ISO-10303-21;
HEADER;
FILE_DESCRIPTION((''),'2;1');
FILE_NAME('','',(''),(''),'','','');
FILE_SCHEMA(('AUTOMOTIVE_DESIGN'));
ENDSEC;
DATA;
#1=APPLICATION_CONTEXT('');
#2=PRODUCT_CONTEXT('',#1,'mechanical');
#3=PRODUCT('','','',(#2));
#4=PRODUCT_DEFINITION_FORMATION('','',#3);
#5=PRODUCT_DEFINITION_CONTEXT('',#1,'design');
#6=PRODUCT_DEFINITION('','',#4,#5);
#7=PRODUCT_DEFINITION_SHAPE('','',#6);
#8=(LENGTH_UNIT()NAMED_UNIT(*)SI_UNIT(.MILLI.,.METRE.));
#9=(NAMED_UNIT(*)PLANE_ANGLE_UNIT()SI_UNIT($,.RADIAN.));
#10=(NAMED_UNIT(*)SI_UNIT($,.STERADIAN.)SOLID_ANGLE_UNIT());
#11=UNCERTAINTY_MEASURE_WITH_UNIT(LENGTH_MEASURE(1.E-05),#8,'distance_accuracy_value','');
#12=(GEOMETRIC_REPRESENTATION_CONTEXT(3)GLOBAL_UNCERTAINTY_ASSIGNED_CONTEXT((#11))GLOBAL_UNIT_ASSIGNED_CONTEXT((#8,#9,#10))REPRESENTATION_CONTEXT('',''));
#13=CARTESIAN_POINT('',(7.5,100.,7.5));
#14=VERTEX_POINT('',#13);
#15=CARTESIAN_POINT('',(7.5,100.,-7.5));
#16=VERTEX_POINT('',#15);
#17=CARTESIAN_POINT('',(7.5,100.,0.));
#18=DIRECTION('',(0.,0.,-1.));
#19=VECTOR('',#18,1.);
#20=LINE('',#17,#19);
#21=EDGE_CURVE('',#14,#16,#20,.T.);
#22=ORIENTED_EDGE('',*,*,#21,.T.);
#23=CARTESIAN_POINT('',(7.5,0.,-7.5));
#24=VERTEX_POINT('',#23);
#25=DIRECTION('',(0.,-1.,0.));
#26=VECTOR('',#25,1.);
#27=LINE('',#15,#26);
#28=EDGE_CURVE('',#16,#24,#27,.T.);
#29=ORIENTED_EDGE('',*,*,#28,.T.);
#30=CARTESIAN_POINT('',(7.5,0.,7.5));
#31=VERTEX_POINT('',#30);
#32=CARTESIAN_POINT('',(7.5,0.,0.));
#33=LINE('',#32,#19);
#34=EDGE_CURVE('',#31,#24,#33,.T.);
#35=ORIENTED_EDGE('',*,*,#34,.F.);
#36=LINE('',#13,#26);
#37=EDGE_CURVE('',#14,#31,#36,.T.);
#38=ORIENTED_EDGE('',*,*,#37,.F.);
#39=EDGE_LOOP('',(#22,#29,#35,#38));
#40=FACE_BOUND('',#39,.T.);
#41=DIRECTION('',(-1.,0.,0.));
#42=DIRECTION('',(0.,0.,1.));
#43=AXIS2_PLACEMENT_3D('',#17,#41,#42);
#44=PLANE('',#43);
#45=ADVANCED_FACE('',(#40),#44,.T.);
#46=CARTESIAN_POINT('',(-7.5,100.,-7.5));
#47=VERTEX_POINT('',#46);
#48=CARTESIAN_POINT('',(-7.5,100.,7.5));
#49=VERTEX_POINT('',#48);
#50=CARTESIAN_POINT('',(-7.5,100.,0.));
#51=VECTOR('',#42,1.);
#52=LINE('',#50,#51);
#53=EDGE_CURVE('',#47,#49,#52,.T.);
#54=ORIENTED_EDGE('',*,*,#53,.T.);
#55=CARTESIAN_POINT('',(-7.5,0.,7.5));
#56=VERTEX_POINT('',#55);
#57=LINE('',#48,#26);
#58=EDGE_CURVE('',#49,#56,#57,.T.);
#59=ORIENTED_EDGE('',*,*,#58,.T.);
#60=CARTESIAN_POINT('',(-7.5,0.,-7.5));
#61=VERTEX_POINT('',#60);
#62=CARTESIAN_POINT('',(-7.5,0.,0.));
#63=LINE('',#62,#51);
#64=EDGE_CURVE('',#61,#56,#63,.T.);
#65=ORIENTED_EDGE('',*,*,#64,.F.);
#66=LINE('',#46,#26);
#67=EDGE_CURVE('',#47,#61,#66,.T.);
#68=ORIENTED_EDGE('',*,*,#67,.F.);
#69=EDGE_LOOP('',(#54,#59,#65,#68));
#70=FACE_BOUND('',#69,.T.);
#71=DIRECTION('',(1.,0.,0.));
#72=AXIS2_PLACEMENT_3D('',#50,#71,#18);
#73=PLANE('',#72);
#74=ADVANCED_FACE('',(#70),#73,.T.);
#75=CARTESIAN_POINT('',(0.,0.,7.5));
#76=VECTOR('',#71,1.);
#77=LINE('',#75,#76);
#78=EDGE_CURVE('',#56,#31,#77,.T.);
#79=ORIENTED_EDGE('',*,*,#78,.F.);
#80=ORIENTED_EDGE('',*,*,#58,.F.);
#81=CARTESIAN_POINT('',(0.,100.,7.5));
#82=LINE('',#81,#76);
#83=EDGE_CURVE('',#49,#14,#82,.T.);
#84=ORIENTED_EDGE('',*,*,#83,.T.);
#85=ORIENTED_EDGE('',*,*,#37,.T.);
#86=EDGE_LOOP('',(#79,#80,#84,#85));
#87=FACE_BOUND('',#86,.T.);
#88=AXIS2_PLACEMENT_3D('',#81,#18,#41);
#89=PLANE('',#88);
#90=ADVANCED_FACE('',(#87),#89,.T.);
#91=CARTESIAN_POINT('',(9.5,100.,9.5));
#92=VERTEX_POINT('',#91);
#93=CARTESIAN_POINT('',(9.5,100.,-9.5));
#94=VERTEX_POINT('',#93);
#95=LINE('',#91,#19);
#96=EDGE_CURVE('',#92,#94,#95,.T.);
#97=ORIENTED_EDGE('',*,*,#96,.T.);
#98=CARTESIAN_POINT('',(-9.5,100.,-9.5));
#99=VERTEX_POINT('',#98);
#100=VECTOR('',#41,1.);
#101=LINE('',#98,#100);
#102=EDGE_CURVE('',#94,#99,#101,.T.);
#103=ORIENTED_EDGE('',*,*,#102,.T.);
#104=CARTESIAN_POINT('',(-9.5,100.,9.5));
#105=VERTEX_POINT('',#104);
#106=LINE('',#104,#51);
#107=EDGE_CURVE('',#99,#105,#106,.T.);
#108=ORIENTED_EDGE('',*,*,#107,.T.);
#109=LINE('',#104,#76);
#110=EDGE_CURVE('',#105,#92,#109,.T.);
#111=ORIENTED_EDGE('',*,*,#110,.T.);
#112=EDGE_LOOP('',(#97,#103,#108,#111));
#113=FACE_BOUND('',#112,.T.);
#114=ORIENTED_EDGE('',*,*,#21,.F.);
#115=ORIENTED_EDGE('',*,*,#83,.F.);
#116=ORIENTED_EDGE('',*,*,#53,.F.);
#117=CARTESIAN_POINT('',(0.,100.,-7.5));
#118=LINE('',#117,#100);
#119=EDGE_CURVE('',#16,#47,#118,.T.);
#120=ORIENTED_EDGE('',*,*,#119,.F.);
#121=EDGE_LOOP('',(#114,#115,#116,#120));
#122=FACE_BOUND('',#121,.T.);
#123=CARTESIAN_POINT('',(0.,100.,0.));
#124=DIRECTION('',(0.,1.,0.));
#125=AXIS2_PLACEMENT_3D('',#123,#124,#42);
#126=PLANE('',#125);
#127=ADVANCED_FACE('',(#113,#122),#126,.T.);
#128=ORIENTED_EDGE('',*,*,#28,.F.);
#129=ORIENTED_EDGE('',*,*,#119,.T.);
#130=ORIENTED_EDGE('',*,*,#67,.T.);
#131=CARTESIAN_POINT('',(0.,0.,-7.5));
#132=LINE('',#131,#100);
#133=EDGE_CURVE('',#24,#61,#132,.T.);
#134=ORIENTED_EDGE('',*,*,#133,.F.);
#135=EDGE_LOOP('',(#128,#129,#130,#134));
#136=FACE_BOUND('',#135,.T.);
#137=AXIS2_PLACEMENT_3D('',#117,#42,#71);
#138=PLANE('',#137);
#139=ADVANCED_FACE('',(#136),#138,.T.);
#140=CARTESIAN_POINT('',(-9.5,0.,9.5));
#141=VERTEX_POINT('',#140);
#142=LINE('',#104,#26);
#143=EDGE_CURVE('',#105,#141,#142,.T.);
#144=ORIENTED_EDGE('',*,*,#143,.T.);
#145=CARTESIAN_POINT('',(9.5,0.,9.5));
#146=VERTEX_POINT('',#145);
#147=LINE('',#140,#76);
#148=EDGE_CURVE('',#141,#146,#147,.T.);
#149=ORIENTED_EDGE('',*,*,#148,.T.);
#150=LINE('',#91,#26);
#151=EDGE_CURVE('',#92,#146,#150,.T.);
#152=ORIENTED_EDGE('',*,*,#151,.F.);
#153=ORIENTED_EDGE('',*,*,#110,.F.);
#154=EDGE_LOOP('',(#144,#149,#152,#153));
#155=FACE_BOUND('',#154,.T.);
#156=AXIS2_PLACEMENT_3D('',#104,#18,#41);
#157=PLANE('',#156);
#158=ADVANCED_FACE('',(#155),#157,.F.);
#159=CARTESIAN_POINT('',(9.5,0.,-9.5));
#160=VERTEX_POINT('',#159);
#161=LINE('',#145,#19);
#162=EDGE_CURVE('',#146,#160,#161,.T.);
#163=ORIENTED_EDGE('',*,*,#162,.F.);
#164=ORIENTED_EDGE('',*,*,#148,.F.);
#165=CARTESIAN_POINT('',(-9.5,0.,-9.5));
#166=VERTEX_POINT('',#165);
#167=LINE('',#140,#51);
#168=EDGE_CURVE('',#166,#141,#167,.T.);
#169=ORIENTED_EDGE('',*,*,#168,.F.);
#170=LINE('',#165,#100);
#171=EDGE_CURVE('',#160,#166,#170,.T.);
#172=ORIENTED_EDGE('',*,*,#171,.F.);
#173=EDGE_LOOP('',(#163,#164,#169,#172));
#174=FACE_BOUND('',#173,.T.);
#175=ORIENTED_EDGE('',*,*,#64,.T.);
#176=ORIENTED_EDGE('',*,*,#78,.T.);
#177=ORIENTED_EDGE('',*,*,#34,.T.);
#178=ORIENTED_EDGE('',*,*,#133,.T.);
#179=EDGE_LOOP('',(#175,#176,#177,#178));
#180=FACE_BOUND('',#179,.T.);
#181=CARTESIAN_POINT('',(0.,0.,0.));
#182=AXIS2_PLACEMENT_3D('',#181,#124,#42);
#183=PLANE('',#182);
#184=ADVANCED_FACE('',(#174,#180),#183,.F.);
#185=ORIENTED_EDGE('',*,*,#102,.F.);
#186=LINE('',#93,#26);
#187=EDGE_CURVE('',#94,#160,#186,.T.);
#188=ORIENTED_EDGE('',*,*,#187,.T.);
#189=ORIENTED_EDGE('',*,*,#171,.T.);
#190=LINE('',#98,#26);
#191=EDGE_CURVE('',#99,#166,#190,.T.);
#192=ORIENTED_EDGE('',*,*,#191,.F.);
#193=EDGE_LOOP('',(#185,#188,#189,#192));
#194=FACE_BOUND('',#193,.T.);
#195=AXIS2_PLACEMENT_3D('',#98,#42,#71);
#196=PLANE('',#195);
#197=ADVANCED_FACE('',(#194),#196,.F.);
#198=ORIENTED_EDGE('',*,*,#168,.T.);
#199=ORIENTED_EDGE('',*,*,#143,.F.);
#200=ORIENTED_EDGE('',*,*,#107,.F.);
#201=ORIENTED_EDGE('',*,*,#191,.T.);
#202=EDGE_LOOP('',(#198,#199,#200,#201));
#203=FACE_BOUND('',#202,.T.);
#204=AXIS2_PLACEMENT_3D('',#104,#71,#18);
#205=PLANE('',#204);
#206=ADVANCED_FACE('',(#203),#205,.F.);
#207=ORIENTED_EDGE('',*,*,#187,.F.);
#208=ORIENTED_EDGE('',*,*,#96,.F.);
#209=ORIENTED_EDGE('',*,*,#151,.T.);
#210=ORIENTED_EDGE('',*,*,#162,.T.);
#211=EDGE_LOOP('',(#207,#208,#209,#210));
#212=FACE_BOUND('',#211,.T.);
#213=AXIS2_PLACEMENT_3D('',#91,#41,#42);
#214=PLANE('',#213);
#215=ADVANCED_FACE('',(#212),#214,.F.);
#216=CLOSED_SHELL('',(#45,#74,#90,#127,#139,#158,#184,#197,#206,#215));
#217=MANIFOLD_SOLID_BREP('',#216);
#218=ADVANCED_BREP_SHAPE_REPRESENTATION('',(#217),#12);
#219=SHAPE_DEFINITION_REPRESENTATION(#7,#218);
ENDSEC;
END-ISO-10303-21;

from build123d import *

# Parameters (mm, degrees)
SKETCH1_W           = 19
SKETCH1_H           = 19
SKETCH1_W_2         = 15
SKETCH1_H_2         = 15
EXTRUDE_THIN1_DEPTH = 100


with BuildPart() as part:
    # Sketch1 → Extrude-Thin1 (new body)
    with BuildSketch(Plane(origin=(0, 0, 0), x_dir=(1, 0, 0), z_dir=(0, 1, 0))):
        Rectangle(SKETCH1_W, SKETCH1_H)
        Rectangle(SKETCH1_W_2, SKETCH1_H_2, mode=Mode.SUBTRACT)
    extrude(amount=EXTRUDE_THIN1_DEPTH)


solid = part.part
